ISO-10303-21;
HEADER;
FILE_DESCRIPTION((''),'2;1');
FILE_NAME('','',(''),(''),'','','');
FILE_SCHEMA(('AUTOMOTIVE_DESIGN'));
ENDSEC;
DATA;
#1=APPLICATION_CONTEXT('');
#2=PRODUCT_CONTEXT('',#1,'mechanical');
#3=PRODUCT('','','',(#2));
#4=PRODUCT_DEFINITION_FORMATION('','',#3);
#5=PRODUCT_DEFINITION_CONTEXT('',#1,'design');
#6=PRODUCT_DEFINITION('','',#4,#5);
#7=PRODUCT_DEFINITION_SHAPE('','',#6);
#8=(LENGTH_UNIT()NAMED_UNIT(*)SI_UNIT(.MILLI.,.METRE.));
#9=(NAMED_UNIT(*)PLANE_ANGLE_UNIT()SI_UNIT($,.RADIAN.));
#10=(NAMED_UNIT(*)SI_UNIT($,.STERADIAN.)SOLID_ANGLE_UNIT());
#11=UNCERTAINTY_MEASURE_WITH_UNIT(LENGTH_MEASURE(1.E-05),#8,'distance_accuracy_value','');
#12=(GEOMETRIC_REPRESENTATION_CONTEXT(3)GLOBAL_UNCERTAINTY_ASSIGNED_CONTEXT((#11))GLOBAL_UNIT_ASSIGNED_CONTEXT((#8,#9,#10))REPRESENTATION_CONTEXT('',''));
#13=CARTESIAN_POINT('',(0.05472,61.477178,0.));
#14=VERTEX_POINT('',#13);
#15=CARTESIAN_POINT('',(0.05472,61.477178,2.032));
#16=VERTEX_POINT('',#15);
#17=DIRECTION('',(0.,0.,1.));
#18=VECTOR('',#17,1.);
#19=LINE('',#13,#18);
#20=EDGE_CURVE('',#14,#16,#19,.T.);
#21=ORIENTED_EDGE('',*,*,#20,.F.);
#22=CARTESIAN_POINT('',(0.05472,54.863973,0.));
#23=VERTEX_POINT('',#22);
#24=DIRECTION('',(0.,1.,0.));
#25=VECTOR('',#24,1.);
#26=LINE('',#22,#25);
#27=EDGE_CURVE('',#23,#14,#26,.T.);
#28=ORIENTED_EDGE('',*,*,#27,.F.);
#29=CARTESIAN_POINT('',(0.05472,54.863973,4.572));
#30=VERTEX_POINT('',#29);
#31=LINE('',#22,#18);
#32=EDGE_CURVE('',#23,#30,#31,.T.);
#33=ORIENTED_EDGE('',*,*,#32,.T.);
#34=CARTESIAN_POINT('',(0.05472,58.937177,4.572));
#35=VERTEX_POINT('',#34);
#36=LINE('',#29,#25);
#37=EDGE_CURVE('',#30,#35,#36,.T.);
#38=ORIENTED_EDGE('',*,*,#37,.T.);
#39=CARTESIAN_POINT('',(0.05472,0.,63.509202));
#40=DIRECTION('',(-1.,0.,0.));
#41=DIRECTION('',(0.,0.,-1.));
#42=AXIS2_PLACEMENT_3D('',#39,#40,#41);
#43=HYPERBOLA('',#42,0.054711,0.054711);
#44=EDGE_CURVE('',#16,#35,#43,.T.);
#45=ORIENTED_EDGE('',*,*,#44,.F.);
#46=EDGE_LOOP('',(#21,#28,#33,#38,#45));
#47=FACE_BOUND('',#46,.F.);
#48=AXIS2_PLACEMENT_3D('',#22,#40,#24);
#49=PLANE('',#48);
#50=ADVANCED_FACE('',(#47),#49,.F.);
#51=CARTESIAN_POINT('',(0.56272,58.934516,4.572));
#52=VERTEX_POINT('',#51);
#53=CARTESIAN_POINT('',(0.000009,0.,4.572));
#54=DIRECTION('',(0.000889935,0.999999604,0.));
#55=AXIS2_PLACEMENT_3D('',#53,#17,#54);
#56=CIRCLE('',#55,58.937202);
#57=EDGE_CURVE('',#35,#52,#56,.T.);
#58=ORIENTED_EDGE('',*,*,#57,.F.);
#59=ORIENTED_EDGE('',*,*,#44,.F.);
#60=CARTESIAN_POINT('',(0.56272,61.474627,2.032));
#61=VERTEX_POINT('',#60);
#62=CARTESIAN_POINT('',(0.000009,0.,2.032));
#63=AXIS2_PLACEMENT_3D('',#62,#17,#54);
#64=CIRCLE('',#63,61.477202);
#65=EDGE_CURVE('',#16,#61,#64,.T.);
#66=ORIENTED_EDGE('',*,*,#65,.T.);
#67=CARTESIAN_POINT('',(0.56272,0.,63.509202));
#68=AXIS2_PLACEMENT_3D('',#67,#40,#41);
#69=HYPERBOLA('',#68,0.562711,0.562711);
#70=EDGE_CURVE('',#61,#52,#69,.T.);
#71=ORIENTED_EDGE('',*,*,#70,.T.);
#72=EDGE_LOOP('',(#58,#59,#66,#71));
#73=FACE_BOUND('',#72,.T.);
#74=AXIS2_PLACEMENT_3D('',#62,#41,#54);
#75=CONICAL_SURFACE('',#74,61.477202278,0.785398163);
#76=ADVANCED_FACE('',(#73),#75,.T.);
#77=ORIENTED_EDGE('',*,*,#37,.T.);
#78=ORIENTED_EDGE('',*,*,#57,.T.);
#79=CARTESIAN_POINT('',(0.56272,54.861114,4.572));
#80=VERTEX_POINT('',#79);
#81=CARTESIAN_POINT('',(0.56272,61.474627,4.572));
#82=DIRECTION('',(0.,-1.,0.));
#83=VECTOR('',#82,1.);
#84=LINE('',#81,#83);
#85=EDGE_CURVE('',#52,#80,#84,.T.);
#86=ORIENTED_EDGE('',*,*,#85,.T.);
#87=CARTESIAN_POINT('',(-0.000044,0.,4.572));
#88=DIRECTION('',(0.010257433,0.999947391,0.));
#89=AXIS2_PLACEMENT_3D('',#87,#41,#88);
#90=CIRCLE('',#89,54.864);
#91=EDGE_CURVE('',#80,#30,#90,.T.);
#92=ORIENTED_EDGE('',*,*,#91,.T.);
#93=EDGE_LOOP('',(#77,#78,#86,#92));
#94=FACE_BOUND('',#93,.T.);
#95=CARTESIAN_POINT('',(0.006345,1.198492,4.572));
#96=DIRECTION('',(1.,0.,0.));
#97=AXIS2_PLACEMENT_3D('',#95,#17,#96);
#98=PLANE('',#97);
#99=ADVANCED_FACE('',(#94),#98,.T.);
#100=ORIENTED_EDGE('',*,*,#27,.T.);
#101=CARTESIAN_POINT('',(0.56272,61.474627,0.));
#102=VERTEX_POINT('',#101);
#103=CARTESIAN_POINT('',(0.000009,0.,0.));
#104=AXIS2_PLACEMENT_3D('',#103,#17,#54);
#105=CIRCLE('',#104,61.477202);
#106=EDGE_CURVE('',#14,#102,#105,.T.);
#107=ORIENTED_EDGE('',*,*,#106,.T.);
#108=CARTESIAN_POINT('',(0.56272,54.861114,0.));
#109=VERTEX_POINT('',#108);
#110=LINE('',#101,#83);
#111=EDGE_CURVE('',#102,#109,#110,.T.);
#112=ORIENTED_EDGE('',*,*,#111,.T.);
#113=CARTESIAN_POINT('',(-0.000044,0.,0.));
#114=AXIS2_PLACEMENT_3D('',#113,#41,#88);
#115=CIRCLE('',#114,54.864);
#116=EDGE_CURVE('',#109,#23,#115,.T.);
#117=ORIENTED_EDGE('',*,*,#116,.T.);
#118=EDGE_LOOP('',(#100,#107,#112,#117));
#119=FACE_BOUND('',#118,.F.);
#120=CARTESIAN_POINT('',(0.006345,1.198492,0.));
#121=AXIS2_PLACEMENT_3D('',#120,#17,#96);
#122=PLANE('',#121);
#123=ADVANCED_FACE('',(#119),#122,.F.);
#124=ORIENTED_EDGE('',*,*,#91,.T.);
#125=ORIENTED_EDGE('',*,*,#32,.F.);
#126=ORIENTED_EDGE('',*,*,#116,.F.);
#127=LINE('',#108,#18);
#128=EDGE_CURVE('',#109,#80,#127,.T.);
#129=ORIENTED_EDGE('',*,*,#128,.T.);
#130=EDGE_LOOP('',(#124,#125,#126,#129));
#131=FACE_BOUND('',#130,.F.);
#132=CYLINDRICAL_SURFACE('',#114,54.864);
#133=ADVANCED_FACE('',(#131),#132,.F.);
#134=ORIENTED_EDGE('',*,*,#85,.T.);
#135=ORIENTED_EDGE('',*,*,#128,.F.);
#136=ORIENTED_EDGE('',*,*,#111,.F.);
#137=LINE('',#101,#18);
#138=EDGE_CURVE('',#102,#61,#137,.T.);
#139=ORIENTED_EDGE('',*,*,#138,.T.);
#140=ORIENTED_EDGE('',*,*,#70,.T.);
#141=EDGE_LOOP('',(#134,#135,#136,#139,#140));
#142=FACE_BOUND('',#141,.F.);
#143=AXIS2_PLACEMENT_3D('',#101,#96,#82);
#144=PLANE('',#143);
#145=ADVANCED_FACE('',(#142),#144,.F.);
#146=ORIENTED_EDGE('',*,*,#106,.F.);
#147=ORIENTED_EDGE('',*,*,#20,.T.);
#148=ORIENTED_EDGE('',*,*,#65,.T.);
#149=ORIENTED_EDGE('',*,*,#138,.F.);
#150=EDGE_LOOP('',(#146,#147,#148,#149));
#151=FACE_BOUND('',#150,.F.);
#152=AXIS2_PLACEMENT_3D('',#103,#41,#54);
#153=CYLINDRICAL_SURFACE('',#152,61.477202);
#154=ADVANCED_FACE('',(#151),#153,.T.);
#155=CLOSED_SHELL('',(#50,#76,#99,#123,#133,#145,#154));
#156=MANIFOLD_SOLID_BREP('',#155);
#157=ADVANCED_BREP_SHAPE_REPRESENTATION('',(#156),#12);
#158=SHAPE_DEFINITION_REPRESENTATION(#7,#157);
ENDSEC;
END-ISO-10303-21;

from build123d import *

# Parameters (mm, degrees)
F1_DEPTH = 4.572
F2_SIZE  = 2.54


with BuildPart() as f1:
    # F0 (on Top) → F1 (new body)
    with BuildSketch(Plane.XY):
        with BuildLine():
            ThreePointArc((0.56272, 54.861114), (-0.308723, -54.863131), (0.05472, 54.863973))
            Line((0.05472, 54.863973), (0.05472, 61.477178))
            ThreePointArc((0.05472, 61.477178), (-0.308722, -61.476427), (0.56272, 61.474627))
            Line((0.56272, 61.474627), (0.56272, 54.861114))
        make_face()
    extrude(amount=F1_DEPTH)

    # F2
    f2_edges = [f1.edges().sort_by_distance(p)[0] for p in [
        (-0.308722, -61.476427, 4.572),
    ]]
    chamfer(f2_edges, length=F2_SIZE)


solid = f1.part
